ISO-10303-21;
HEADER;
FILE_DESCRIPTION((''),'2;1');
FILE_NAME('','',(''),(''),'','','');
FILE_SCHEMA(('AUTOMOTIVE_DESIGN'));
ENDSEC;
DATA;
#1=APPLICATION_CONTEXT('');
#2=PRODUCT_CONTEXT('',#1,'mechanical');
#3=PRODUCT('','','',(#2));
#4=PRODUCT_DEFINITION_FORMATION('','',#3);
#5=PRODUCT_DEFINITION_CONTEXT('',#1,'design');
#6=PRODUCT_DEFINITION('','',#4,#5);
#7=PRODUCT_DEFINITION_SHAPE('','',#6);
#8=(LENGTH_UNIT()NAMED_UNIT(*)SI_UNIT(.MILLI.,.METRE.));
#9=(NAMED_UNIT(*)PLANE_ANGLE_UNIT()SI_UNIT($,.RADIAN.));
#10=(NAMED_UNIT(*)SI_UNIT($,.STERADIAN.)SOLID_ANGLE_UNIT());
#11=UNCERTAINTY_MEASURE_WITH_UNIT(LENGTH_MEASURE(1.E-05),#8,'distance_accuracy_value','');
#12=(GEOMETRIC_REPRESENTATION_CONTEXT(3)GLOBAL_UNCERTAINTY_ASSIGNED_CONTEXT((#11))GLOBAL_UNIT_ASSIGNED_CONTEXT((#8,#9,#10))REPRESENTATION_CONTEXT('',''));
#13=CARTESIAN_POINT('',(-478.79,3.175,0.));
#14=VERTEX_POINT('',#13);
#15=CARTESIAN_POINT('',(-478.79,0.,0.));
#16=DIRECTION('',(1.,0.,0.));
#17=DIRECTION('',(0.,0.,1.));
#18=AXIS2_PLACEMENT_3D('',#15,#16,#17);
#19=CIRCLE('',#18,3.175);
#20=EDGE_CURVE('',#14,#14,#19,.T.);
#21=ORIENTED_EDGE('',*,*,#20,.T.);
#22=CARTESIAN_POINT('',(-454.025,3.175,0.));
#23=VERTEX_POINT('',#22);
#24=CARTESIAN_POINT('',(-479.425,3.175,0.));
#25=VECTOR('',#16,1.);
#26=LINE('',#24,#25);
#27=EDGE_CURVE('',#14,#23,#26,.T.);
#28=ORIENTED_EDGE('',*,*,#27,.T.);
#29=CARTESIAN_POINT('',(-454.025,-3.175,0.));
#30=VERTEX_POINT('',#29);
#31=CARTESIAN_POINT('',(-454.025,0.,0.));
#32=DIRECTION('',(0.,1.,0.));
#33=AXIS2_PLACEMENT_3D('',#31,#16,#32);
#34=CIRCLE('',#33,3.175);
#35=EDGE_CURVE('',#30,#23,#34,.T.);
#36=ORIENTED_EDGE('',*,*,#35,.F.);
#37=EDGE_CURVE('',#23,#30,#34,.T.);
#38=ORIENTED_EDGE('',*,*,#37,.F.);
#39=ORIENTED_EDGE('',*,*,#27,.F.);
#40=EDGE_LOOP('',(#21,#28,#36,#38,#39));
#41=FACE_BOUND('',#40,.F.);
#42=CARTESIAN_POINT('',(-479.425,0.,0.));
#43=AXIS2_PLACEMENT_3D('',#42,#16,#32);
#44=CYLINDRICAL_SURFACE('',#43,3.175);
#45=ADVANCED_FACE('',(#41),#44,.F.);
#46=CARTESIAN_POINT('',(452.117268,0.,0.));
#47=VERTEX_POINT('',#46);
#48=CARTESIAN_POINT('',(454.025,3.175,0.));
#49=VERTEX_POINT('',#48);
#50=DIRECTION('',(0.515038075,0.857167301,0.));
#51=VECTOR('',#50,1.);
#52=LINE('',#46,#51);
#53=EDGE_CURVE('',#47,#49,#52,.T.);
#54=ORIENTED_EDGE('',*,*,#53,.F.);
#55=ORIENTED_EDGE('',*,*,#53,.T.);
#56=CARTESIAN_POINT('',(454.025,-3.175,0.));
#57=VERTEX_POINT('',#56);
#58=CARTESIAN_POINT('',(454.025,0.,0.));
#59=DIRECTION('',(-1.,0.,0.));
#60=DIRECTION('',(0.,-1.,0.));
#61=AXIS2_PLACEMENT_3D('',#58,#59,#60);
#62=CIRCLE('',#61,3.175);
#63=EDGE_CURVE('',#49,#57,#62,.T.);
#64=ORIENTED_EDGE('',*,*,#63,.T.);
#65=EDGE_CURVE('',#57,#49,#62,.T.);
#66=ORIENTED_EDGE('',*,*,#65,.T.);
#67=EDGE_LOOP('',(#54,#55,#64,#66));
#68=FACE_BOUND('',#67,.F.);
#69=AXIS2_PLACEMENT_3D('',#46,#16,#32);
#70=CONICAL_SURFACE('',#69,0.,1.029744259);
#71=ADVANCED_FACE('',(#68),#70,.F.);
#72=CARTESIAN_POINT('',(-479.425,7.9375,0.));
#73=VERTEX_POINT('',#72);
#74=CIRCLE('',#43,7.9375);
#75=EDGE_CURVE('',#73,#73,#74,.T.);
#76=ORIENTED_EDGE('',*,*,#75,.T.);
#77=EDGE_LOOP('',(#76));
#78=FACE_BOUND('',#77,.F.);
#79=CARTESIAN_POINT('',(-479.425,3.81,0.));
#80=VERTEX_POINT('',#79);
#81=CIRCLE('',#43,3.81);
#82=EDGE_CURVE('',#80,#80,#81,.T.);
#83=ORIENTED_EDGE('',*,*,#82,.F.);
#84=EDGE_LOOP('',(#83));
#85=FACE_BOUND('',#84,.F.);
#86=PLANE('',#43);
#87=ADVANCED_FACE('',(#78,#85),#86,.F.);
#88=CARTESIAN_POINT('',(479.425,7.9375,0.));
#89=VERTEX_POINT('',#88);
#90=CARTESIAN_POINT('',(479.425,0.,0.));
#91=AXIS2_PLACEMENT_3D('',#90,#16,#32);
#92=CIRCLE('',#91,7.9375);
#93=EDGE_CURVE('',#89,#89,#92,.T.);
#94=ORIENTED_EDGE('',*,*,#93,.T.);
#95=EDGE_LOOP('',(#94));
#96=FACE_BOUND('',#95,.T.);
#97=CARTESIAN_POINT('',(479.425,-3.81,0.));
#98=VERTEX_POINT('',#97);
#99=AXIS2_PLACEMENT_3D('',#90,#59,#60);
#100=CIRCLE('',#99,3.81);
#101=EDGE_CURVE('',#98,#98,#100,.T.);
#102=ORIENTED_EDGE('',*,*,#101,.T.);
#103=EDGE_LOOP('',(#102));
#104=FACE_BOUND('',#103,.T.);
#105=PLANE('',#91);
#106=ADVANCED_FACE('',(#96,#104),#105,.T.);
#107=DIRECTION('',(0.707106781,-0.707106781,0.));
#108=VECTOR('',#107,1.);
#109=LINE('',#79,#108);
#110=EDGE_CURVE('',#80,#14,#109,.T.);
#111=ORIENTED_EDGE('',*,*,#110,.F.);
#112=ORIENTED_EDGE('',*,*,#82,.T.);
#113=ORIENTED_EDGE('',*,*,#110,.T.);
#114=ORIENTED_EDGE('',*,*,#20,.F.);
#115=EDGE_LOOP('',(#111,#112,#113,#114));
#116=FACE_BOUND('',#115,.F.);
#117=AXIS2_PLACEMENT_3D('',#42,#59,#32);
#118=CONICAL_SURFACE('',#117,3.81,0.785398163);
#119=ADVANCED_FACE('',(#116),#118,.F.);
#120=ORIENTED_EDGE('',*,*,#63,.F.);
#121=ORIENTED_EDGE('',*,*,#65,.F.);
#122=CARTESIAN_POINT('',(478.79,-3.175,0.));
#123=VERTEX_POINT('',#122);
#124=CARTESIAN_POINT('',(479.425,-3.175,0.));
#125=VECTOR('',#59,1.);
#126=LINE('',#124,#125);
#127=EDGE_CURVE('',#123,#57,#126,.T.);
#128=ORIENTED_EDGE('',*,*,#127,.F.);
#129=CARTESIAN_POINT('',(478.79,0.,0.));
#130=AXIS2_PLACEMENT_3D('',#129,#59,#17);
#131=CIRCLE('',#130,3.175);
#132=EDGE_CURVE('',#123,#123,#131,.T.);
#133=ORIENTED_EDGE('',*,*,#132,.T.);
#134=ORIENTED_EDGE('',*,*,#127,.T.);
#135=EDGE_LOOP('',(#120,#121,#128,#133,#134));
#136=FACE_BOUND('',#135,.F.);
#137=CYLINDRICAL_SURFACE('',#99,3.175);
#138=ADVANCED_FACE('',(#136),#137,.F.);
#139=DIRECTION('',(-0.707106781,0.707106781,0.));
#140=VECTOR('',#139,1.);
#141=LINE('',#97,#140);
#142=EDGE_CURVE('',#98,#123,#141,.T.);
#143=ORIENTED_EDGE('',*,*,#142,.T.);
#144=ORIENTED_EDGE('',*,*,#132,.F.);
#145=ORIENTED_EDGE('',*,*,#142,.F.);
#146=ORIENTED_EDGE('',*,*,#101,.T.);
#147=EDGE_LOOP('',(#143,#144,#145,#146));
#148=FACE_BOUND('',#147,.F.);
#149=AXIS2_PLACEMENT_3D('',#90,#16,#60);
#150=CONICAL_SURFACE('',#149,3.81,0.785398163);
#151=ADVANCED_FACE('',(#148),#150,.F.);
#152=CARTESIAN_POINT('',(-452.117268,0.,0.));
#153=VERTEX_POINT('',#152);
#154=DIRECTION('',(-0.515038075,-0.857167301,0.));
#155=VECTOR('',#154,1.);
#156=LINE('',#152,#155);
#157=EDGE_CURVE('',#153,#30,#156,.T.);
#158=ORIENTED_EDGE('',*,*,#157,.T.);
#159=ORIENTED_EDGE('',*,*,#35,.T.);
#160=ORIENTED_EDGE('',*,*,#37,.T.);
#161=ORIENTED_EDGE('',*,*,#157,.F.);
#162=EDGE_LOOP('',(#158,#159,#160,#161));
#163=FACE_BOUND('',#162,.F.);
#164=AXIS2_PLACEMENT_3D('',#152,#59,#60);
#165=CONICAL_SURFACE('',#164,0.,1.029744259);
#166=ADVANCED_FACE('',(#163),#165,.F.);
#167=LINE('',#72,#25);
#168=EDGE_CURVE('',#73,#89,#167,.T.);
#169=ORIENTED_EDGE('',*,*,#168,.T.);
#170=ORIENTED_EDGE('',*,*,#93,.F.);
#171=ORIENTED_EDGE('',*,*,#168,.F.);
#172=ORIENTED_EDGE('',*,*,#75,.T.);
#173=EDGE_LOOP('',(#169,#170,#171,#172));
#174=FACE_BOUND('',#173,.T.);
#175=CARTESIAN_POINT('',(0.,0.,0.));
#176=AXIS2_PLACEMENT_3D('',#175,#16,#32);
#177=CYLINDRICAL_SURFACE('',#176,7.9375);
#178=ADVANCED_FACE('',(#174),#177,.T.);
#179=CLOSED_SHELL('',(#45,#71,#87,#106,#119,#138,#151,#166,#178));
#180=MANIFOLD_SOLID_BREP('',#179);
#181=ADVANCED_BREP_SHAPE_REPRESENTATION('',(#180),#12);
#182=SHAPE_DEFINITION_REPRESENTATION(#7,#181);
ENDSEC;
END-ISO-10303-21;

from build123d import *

# Parameters (mm, degrees)
F0_R           = 7.9375
F1_DEPTH       = 479.425
F3_D           = 6.35
F3_DEPTH       = 25.4
F3_CSINK_D     = 7.62
F3_CSINK_ANGLE = 90
F3_TIP         = 1.9077324654
F5_D           = 6.35
F5_DEPTH       = 25.4
F5_CSINK_D     = 7.62
F5_CSINK_ANGLE = 90
F5_TIP         = 1.9077324654


with BuildPart() as f1:
    # F0 (on Right) → F1 (new body, symmetric)
    with BuildSketch(Plane.YZ):
        Circle(F0_R)
    extrude(amount=F1_DEPTH, both=True)

    # F3
    with Locations(Plane(origin=(-479.425, 0, 0), x_dir=(0, -1, 0), z_dir=(-1, 0, 0))):
        with Locations((0, 0)):
            CounterSinkHole(F3_D / 2, F3_CSINK_D / 2, depth=F3_DEPTH, counter_sink_angle=F3_CSINK_ANGLE)
            with Locations((0, 0, -(F3_DEPTH + F3_TIP / 2))):  # 118° drill point
                Cone(0, F3_D / 2, F3_TIP, mode=Mode.SUBTRACT)

    # F5
    with Locations(Plane.YZ.offset(479.425)):
        with Locations((0, 0)):
            CounterSinkHole(F5_D / 2, F5_CSINK_D / 2, depth=F5_DEPTH, counter_sink_angle=F5_CSINK_ANGLE)
            with Locations((0, 0, -(F5_DEPTH + F5_TIP / 2))):  # 118° drill point
                Cone(0, F5_D / 2, F5_TIP, mode=Mode.SUBTRACT)


solid = f1.part
